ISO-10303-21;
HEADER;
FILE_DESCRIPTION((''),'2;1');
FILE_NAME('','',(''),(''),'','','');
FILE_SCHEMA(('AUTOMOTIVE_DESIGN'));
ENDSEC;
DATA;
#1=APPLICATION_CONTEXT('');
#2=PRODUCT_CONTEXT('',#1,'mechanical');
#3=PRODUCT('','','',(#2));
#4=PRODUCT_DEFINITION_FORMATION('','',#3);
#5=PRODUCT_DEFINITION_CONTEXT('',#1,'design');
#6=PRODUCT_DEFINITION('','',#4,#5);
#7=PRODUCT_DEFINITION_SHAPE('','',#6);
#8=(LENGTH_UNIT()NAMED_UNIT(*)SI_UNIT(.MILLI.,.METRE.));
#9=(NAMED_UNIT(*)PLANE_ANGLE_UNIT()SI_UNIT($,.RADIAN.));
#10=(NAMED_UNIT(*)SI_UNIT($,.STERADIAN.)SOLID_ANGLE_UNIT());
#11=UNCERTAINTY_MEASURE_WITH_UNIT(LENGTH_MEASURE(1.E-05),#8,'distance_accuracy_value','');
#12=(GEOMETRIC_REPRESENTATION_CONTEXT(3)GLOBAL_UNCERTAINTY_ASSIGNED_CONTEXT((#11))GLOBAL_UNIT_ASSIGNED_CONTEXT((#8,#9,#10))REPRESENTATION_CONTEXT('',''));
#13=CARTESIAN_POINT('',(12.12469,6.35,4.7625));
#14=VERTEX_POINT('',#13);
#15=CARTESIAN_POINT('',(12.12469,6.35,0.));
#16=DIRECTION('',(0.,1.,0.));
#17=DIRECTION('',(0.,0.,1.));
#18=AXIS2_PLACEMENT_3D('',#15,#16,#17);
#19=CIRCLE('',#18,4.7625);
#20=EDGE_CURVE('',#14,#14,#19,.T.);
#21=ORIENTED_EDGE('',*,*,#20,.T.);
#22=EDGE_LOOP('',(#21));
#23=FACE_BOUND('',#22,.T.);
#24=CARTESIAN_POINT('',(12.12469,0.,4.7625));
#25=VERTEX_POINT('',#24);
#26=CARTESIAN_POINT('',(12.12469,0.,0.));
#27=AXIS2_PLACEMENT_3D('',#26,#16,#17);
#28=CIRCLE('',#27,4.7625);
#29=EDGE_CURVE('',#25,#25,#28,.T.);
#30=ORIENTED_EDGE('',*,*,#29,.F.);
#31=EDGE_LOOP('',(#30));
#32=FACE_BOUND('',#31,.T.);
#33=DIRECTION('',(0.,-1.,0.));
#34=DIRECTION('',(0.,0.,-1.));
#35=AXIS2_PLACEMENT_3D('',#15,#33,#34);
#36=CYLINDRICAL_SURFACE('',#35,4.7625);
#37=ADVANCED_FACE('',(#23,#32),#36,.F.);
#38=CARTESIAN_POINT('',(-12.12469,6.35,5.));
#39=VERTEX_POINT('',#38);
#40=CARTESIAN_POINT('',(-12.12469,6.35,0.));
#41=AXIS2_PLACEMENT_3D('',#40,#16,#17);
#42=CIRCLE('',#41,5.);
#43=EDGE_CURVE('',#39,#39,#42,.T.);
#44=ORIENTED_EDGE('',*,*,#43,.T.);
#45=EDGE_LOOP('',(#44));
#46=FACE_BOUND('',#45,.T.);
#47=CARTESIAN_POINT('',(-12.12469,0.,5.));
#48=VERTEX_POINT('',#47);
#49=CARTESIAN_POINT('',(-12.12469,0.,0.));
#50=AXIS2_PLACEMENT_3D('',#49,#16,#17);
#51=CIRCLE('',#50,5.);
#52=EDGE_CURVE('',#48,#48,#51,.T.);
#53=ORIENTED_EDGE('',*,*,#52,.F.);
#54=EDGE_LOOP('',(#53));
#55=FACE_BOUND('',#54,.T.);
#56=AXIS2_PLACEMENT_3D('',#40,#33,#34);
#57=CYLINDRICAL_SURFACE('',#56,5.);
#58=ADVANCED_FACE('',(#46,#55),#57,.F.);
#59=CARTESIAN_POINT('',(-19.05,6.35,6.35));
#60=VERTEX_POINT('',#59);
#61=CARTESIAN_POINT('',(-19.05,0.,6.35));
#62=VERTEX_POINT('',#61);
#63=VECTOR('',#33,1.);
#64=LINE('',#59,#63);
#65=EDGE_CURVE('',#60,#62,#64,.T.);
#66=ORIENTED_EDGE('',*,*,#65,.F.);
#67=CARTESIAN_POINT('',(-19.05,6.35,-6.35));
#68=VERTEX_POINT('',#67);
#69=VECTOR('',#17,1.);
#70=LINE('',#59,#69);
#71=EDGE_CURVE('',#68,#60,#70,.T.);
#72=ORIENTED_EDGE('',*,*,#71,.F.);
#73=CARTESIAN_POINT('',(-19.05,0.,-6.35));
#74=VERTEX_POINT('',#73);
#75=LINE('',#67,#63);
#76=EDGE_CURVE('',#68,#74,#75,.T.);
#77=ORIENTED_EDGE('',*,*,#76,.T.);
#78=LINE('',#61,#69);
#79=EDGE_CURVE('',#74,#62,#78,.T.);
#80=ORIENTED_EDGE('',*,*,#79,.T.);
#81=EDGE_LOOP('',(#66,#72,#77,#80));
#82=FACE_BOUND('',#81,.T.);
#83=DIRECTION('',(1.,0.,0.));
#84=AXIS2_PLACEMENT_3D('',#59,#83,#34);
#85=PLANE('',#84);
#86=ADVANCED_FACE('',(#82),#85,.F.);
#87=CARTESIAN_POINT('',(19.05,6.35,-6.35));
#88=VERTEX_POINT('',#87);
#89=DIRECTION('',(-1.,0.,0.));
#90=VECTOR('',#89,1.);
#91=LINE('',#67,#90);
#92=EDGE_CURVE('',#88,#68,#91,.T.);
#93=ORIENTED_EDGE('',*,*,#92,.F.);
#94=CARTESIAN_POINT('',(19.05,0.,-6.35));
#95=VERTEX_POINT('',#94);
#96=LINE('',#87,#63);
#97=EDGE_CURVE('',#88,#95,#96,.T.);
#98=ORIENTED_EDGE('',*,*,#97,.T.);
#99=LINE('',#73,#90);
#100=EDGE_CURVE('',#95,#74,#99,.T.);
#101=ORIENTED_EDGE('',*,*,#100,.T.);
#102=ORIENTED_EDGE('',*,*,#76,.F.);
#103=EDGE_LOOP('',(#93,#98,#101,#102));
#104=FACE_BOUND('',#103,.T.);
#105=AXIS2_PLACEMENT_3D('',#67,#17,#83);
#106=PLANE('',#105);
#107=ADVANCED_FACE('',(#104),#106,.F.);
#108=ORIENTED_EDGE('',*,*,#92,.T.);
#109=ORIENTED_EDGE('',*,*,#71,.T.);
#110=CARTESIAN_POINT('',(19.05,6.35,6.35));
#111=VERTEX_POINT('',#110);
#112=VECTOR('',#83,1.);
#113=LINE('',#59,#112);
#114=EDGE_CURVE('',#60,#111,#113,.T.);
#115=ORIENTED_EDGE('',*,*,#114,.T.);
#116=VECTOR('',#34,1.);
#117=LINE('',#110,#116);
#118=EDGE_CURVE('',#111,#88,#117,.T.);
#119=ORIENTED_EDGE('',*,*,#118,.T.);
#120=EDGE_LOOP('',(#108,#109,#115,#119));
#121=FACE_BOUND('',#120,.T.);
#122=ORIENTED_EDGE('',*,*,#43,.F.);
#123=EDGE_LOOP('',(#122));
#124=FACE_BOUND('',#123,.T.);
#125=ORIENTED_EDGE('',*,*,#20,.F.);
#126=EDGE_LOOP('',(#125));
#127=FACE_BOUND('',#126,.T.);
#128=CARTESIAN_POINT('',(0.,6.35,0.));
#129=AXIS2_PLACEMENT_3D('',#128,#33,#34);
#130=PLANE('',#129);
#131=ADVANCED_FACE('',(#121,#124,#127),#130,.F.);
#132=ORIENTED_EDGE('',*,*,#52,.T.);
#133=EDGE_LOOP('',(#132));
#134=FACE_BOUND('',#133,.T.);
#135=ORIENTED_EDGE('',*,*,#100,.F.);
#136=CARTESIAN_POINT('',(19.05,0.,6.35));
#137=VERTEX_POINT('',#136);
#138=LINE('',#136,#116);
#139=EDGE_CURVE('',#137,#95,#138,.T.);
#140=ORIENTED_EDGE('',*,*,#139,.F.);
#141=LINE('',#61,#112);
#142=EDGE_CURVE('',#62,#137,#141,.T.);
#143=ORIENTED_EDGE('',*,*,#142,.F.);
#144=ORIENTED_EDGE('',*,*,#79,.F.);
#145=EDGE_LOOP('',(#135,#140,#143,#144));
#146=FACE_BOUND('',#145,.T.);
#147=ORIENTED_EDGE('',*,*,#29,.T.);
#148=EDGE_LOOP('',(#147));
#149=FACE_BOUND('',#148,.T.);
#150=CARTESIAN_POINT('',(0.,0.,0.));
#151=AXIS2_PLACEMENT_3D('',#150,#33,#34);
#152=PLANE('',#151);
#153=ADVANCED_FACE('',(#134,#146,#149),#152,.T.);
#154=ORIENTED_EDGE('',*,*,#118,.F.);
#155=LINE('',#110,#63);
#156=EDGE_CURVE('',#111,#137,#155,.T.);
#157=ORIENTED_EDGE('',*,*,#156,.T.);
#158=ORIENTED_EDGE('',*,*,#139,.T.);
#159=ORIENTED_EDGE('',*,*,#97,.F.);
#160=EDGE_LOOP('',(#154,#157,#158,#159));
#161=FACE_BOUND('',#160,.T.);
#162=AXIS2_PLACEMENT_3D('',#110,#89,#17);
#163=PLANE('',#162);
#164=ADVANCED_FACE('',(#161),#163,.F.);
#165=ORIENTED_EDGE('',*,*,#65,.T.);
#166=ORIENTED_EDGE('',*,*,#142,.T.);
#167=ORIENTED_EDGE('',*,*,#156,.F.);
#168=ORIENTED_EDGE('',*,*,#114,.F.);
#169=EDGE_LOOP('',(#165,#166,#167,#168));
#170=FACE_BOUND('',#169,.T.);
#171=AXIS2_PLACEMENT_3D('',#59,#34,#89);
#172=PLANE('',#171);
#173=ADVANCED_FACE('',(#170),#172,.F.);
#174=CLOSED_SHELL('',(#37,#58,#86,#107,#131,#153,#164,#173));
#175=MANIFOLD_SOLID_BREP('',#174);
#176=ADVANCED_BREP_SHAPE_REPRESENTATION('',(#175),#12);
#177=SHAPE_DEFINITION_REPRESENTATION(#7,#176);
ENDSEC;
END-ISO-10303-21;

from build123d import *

# Parameters (mm, degrees)
SKETCH1_W           = 38.1
SKETCH1_H           = 12.7
SKETCH1_R           = 5
SKETCH1_R_2         = 4.7625
BOSS_EXTRUDE1_DEPTH = 6.35


with BuildPart() as part:
    # Sketch1 → Boss-Extrude1 (new body)
    with BuildSketch(Plane(origin=(0, 0, 0), x_dir=(1, 0, 0), z_dir=(0, 1, 0))):
        Rectangle(SKETCH1_W, SKETCH1_H)
        with Locations(Location((-12.12469, 0, 0), (0, 0, 270))):
            Circle(SKETCH1_R, mode=Mode.SUBTRACT)
        with Locations(Location((12.12469, 0, 0), (0, 0, 270))):
            Circle(SKETCH1_R_2, mode=Mode.SUBTRACT)
    extrude(amount=BOSS_EXTRUDE1_DEPTH)


solid = part.part
